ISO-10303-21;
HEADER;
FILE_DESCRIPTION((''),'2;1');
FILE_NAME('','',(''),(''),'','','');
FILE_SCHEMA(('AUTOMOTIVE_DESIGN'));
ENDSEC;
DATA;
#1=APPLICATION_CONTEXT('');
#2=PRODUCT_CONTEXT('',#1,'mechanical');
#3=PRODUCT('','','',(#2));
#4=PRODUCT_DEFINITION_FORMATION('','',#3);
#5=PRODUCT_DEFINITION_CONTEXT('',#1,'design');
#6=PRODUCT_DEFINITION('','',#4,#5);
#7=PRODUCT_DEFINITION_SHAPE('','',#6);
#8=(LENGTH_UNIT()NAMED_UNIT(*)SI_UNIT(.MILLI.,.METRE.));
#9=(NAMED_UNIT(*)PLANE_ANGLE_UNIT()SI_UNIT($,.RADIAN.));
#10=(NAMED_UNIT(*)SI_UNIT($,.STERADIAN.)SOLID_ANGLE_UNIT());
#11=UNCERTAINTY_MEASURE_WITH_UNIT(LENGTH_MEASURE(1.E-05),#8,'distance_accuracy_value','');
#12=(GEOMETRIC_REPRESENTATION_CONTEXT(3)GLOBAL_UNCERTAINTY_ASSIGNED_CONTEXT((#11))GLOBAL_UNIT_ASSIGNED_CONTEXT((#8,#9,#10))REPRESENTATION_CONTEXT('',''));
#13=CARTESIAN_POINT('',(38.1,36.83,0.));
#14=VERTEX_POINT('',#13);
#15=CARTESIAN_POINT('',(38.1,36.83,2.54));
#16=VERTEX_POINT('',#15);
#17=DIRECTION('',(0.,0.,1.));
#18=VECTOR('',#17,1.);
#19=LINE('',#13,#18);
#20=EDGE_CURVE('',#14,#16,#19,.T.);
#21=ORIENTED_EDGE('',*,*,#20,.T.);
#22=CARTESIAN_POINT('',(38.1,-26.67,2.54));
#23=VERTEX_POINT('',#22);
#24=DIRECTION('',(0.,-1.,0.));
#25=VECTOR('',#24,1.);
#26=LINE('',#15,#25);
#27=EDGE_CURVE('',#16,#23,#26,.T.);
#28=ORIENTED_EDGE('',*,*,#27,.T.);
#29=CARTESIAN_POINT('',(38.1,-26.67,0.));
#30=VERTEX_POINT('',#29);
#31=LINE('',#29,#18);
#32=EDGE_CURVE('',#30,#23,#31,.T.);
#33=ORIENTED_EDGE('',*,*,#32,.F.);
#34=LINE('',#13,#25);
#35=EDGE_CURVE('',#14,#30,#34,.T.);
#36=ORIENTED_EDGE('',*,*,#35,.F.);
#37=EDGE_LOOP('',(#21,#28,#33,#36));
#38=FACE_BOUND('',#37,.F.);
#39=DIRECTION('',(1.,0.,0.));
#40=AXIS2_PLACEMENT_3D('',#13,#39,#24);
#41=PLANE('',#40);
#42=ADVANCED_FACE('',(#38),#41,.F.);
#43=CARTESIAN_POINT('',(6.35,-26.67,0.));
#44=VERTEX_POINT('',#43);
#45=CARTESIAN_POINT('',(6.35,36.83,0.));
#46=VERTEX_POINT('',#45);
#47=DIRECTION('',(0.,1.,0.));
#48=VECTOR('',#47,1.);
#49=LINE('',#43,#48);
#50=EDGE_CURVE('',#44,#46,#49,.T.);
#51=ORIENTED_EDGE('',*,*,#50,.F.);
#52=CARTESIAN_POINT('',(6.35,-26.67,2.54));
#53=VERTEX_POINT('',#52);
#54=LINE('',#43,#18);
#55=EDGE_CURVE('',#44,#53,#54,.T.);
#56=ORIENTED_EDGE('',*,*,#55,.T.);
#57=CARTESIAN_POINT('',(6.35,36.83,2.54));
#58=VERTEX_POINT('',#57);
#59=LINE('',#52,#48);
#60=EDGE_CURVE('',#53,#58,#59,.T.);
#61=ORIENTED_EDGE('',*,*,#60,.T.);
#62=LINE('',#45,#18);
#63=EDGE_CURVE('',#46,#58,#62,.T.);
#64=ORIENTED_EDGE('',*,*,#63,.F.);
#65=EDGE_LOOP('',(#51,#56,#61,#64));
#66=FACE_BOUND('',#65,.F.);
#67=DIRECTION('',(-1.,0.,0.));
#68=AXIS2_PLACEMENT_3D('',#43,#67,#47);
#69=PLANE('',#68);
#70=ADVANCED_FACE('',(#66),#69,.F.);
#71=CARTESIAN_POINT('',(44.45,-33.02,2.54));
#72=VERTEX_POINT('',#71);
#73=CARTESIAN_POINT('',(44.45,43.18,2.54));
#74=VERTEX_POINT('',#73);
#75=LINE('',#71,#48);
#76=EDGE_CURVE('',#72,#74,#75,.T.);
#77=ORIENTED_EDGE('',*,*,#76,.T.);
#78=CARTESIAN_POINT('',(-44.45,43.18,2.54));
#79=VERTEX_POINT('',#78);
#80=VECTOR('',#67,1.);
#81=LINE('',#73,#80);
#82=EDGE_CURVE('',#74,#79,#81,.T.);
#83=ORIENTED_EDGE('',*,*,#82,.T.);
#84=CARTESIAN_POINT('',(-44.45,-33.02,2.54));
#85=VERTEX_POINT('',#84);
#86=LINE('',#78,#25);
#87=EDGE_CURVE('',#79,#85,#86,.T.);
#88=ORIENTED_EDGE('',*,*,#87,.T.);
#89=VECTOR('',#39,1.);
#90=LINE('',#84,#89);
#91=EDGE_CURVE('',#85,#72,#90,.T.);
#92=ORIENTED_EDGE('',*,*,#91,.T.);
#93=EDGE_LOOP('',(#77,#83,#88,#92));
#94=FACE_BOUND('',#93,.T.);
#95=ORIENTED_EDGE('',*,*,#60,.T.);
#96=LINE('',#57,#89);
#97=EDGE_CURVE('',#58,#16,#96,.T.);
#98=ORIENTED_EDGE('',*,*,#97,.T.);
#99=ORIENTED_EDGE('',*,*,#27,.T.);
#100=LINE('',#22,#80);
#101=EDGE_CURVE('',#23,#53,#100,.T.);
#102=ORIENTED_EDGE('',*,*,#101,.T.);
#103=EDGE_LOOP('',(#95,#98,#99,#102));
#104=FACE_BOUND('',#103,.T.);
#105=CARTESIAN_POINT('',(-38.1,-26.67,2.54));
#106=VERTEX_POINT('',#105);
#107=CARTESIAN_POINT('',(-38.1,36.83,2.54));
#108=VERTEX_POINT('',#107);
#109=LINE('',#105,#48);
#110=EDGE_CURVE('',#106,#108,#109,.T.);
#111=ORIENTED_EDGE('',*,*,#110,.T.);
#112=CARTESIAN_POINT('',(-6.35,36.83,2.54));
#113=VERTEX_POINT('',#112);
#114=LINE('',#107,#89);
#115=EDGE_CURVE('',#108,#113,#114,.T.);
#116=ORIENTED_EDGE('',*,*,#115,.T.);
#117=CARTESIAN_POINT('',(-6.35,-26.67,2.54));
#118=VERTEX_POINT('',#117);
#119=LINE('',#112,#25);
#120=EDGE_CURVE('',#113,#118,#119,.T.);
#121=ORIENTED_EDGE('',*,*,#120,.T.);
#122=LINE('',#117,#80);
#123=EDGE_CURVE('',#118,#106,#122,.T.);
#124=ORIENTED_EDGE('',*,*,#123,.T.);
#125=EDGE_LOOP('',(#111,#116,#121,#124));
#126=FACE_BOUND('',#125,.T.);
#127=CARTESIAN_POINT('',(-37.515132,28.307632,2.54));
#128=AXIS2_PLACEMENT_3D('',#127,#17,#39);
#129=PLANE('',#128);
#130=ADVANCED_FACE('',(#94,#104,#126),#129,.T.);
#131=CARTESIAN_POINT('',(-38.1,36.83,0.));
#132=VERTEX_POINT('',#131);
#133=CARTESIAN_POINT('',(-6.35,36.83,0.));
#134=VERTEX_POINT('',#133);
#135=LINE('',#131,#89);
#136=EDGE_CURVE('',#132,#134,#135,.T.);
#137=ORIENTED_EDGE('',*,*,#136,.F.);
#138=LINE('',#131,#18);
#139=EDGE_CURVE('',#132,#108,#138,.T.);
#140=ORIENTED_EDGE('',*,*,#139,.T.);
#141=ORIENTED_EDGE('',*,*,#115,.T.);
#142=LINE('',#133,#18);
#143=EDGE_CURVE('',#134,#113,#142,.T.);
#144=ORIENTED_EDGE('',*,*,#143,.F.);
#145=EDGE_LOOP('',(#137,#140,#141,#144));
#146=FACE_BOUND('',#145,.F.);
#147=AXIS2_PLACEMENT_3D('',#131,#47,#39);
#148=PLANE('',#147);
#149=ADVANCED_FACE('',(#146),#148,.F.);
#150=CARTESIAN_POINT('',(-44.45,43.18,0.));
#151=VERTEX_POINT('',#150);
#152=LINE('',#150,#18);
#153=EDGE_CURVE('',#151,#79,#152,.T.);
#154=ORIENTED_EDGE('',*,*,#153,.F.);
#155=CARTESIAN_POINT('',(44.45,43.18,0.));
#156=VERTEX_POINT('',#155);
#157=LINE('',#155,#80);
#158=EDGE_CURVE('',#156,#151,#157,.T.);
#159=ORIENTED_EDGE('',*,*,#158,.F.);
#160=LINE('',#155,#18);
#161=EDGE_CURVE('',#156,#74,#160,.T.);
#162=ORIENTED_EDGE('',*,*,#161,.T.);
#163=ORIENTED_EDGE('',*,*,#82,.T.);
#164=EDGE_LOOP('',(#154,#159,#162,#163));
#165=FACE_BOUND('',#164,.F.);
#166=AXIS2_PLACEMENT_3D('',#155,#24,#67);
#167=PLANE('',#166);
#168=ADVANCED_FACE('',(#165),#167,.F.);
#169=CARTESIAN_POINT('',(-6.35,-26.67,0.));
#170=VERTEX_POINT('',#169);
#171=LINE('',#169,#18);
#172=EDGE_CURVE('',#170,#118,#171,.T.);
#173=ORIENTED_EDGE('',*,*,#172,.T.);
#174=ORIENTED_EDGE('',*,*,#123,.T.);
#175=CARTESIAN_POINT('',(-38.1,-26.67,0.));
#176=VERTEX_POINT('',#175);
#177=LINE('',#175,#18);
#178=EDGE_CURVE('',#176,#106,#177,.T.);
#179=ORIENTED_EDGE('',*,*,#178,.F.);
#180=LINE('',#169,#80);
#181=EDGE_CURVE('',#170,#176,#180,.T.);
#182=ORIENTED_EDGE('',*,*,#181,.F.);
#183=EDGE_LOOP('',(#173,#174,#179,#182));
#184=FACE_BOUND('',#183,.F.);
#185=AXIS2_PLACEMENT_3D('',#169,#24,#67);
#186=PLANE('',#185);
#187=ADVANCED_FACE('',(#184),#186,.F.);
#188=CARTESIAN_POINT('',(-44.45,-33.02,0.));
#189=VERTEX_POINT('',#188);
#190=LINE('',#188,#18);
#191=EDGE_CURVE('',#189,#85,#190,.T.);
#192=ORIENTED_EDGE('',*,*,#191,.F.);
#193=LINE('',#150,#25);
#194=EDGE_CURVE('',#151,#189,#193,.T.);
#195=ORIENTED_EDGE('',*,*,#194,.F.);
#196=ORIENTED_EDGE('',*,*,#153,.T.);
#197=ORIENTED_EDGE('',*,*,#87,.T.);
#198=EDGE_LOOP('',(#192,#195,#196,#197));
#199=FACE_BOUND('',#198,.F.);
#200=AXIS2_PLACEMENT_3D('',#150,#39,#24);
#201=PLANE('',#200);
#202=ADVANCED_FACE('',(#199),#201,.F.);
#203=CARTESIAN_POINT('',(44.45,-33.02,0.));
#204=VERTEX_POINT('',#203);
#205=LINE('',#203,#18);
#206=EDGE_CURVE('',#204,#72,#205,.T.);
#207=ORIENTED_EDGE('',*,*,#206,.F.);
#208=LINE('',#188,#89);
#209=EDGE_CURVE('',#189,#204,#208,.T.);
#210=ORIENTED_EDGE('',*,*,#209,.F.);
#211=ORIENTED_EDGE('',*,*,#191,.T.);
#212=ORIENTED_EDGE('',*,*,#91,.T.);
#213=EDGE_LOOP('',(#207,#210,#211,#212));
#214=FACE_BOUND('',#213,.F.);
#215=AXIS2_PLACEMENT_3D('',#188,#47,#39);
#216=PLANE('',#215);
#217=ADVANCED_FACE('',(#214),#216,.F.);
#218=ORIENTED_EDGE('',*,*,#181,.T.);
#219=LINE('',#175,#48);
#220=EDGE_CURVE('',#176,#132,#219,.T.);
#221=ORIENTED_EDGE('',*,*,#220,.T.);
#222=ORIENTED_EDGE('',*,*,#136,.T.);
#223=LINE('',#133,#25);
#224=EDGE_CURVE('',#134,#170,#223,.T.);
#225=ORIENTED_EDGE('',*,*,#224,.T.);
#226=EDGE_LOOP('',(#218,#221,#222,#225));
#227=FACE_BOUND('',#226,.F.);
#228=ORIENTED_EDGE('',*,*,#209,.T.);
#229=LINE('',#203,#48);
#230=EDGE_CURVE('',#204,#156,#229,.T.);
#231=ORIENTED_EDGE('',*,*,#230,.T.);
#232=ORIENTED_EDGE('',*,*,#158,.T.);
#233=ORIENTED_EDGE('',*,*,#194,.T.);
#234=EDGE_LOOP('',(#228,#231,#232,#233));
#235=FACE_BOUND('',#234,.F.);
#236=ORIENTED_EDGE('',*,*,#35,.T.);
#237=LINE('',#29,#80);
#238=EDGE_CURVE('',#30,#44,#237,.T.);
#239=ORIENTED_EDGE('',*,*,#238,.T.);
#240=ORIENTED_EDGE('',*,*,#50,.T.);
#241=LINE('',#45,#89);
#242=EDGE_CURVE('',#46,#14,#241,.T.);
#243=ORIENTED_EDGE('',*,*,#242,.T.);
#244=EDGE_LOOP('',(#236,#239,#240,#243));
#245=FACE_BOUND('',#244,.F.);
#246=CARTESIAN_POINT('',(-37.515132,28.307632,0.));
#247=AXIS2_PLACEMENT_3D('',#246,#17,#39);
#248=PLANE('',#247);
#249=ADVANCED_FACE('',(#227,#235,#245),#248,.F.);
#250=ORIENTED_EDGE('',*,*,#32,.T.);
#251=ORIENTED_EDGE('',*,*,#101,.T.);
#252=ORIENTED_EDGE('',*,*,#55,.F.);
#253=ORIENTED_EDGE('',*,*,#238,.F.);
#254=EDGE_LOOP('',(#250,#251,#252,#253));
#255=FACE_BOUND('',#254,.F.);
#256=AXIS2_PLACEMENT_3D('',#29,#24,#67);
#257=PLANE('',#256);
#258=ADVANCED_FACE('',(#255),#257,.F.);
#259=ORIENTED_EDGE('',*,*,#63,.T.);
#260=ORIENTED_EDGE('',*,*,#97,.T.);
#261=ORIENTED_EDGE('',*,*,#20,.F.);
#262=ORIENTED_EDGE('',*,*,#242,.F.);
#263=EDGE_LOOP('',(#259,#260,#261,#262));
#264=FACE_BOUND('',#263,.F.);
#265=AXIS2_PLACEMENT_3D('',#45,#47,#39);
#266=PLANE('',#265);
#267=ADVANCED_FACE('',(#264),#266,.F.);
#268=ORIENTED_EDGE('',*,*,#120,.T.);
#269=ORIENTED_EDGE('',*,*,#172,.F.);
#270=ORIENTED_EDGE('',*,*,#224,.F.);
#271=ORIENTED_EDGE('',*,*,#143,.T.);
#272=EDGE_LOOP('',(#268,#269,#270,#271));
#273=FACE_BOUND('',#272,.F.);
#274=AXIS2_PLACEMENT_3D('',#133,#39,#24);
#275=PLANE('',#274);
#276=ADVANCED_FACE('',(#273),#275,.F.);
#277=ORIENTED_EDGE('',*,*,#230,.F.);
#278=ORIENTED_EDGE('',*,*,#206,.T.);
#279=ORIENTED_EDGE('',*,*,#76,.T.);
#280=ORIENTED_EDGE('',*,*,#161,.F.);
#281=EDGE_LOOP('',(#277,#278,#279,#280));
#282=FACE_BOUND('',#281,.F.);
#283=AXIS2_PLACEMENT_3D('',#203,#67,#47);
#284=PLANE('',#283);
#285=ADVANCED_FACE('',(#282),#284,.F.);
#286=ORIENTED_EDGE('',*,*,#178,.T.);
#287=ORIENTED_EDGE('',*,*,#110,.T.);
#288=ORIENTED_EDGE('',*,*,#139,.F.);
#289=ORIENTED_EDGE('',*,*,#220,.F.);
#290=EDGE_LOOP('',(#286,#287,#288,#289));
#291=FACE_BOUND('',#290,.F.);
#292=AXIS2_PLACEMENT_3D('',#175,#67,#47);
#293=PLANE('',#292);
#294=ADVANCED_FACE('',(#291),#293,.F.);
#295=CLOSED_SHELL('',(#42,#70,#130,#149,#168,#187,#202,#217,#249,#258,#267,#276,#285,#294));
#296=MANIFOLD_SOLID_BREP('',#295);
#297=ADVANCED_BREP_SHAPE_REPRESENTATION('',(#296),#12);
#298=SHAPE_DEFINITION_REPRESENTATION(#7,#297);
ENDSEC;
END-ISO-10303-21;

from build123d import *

# Parameters (mm, degrees)
F1_DEPTH = 2.54


with BuildPart() as f1:
    # F0 (on Top) → F1 (new body)
    with BuildSketch(Plane.XY):
        Polygon((-22.225, 43.18), (-44.45, 43.18), (-44.45, 5.08), (-38.1, 5.08), (-38.1, 36.83), (-22.225, 36.83), align=None)
        Polygon((0, 43.18), (-22.225, 43.18), (-22.225, 36.83), (-6.35, 36.83), (-6.35, 0), (0, 0), align=None)
        Polygon((-22.225, -26.67), (-22.225, -33.02), (0, -33.02), (0, 0), (-6.35, 0), (-6.35, -26.67), align=None)
        Polygon((-38.1, 5.08), (-44.45, 5.08), (-44.45, -33.02), (-22.225, -33.02), (-22.225, -26.67), (-38.1, -26.67), align=None)
        Polygon((6.35, 0), (0, 0), (0, -33.02), (22.225, -33.02), (22.225, -26.67), (6.35, -26.67), align=None)
        Polygon((22.225, 43.18), (0, 43.18), (0, 0), (6.35, 0), (6.35, 36.83), (22.225, 36.83), align=None)
        Polygon((44.45, 43.18), (22.225, 43.18), (22.225, 36.83), (38.1, 36.83), (38.1, 0), (44.45, 0), align=None)
        Polygon((22.225, -26.67), (22.225, -33.02), (44.45, -33.02), (44.45, 0), (38.1, 0), (38.1, -26.67), align=None)
    extrude(amount=F1_DEPTH)


solid = f1.part
